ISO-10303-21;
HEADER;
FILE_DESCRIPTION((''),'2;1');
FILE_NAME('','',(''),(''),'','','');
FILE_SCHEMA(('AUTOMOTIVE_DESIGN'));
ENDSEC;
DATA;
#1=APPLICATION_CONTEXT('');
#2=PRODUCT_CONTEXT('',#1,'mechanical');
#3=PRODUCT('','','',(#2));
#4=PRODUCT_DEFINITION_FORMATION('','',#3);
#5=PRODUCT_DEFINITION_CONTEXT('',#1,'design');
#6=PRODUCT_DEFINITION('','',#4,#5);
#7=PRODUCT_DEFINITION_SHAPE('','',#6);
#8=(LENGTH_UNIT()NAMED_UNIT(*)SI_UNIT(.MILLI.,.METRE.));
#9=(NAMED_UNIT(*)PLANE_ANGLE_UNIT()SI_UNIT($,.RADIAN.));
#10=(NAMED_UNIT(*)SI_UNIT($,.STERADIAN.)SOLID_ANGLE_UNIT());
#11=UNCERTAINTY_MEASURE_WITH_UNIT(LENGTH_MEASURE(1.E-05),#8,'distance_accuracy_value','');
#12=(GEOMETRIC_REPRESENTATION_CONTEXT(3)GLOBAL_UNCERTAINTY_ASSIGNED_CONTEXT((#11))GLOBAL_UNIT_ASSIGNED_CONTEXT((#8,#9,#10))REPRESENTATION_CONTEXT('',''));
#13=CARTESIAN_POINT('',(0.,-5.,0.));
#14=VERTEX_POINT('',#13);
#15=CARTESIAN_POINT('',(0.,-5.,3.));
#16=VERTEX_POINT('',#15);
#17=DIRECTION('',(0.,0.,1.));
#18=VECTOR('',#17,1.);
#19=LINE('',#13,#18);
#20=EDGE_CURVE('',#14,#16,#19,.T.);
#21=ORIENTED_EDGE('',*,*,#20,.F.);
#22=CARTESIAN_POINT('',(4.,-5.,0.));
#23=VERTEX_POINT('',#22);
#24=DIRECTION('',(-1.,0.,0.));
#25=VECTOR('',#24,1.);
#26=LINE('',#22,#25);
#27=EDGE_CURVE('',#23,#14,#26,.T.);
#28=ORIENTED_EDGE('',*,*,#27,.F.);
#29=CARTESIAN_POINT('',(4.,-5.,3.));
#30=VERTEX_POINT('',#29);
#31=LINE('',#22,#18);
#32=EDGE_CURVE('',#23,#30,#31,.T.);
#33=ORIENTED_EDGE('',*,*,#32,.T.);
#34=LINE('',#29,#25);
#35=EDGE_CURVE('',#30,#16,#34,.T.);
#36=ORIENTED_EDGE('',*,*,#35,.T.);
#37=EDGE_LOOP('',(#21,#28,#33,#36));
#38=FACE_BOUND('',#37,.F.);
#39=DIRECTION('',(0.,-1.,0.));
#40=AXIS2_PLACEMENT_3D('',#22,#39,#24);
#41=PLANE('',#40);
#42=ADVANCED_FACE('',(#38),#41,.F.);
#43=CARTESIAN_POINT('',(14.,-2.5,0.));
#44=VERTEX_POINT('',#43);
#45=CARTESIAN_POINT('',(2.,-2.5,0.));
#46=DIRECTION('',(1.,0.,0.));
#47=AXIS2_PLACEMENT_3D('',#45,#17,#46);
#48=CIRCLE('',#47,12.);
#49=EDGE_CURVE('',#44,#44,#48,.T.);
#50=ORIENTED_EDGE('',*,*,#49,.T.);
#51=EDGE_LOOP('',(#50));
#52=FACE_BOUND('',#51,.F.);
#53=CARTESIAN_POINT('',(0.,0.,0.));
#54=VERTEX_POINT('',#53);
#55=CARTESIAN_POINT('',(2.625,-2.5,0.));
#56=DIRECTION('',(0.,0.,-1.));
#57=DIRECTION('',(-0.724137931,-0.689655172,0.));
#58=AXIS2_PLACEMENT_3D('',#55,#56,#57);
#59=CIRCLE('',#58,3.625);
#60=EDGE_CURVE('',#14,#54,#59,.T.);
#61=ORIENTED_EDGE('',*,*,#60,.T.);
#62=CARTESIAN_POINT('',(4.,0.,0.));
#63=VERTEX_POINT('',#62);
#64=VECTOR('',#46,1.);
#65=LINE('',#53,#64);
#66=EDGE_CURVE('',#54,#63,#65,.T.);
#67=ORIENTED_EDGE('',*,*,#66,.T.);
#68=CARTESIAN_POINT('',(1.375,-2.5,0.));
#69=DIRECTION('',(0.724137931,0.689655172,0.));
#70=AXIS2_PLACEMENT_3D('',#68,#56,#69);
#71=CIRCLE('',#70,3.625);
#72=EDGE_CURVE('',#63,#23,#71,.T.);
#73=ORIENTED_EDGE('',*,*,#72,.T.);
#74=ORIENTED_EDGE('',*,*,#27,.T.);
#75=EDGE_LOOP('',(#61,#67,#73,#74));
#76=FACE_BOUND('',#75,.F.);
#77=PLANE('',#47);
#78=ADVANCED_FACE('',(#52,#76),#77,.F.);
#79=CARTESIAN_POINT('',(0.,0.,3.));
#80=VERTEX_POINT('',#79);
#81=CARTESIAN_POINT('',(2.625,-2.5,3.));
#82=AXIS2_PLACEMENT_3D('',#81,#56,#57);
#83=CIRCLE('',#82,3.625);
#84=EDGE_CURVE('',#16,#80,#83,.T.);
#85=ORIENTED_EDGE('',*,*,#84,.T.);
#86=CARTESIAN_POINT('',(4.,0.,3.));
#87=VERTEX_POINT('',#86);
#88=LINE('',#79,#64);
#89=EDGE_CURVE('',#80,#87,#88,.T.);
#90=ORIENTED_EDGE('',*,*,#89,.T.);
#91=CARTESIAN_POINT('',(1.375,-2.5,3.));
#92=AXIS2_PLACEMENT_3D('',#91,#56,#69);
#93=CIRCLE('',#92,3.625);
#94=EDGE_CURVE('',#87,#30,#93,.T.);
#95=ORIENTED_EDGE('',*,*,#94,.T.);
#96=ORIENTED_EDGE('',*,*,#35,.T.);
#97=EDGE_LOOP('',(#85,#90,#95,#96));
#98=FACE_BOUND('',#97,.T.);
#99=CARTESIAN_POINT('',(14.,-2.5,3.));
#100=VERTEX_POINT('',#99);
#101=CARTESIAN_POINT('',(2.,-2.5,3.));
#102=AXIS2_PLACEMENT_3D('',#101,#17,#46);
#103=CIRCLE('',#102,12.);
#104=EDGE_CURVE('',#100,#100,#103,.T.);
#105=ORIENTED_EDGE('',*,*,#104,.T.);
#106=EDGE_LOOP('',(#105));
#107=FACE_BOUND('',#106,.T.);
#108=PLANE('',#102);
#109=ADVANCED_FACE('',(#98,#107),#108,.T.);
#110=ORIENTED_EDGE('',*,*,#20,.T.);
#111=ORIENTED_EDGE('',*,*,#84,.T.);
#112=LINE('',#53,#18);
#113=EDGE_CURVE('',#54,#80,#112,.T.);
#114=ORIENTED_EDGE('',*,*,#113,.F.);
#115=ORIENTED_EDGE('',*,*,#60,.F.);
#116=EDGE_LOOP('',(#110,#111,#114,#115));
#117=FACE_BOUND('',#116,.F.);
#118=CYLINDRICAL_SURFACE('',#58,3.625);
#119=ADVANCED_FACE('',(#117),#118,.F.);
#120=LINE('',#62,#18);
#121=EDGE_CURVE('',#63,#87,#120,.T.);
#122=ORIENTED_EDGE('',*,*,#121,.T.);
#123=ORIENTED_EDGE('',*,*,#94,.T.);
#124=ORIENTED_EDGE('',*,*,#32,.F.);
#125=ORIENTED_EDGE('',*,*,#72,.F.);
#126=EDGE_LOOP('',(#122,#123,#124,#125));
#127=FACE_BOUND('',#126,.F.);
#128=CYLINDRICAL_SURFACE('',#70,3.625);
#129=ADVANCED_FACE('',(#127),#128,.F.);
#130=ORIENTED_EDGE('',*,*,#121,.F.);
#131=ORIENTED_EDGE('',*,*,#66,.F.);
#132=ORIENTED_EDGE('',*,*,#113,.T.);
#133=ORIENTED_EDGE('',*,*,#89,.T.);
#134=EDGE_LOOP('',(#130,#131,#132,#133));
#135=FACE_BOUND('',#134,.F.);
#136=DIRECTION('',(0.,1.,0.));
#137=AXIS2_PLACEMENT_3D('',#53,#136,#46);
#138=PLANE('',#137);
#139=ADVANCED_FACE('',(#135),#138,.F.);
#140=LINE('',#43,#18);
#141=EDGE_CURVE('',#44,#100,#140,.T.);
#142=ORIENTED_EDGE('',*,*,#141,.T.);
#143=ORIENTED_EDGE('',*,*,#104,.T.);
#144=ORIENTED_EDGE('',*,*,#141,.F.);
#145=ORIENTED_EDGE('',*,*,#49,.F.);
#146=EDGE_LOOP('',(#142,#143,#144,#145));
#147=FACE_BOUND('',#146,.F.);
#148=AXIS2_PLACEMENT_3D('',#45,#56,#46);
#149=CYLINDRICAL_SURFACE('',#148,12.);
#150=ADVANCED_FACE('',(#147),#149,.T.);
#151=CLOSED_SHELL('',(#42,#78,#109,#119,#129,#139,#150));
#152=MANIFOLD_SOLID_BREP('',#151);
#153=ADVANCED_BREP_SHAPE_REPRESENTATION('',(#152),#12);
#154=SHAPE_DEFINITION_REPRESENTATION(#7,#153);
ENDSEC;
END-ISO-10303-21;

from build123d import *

# Parameters (mm, degrees)
F0_R     = 12
F1_DEPTH = 3


with BuildPart() as f1:
    # F0 (on Top) → F1 (new body)
    with BuildSketch(Plane.XY):
        with Locations((2, -2.5)):
            Circle(F0_R)
        with BuildLine():
            ThreePointArc((0, -5), (-1, -2.5), (0, 0))
            Line((0, 0), (4, 0))
            ThreePointArc((4, 0), (5, -2.5), (4, -5))
            Line((4, -5), (0, -5))
        make_face(mode=Mode.SUBTRACT)
    extrude(amount=F1_DEPTH)


solid = f1.part
